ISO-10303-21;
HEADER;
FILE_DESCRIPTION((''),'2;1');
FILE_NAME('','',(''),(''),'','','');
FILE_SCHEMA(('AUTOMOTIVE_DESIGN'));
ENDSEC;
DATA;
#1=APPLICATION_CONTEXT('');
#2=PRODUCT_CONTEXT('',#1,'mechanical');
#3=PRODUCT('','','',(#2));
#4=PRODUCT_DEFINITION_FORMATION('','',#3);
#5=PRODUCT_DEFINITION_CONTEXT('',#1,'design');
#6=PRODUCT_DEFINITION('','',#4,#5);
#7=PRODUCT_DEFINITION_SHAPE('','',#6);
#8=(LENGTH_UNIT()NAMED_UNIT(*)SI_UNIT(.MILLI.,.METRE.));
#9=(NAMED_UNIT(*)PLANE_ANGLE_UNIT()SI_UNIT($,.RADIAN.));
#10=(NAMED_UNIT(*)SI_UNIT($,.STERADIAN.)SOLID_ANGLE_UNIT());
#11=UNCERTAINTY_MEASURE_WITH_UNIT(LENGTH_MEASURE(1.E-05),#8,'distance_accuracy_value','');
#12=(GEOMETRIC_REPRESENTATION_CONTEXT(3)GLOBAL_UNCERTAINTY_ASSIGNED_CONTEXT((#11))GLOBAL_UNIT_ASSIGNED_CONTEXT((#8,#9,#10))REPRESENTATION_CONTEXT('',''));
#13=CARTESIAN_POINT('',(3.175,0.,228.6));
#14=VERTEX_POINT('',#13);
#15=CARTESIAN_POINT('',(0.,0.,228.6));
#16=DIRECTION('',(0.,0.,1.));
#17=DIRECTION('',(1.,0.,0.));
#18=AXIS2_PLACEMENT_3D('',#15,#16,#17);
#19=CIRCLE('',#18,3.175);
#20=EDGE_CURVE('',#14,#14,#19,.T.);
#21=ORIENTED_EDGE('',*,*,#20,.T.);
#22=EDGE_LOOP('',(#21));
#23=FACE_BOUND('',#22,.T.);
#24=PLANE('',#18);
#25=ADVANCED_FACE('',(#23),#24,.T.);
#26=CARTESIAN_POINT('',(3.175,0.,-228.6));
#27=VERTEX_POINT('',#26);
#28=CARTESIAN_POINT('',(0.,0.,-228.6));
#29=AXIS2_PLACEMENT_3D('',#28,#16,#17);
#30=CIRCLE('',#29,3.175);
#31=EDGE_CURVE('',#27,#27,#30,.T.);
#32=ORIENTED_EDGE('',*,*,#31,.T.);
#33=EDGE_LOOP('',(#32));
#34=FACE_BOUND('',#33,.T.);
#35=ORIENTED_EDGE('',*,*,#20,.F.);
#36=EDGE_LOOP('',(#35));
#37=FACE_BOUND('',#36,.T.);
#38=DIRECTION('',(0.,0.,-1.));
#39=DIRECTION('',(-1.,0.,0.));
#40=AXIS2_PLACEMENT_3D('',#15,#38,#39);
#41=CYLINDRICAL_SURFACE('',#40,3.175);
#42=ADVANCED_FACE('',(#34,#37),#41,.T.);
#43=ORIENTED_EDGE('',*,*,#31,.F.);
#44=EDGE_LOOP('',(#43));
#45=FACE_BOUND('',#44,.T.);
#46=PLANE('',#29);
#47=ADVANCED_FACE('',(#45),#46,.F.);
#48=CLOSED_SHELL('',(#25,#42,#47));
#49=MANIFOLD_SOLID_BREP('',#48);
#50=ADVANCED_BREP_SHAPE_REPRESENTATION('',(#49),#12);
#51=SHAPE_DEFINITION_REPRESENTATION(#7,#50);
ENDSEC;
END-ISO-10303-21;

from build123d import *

# Parameters (mm, degrees)
SKETCH1_R           = 3.175
BOSS_EXTRUDE1_DEPTH = 228.6


with BuildPart() as part:
    # Sketch1 → Boss-Extrude1 (new, symmetric)
    with BuildSketch(Plane.XY):
        Circle(SKETCH1_R)
    extrude(amount=BOSS_EXTRUDE1_DEPTH, both=True)


solid = part.part
